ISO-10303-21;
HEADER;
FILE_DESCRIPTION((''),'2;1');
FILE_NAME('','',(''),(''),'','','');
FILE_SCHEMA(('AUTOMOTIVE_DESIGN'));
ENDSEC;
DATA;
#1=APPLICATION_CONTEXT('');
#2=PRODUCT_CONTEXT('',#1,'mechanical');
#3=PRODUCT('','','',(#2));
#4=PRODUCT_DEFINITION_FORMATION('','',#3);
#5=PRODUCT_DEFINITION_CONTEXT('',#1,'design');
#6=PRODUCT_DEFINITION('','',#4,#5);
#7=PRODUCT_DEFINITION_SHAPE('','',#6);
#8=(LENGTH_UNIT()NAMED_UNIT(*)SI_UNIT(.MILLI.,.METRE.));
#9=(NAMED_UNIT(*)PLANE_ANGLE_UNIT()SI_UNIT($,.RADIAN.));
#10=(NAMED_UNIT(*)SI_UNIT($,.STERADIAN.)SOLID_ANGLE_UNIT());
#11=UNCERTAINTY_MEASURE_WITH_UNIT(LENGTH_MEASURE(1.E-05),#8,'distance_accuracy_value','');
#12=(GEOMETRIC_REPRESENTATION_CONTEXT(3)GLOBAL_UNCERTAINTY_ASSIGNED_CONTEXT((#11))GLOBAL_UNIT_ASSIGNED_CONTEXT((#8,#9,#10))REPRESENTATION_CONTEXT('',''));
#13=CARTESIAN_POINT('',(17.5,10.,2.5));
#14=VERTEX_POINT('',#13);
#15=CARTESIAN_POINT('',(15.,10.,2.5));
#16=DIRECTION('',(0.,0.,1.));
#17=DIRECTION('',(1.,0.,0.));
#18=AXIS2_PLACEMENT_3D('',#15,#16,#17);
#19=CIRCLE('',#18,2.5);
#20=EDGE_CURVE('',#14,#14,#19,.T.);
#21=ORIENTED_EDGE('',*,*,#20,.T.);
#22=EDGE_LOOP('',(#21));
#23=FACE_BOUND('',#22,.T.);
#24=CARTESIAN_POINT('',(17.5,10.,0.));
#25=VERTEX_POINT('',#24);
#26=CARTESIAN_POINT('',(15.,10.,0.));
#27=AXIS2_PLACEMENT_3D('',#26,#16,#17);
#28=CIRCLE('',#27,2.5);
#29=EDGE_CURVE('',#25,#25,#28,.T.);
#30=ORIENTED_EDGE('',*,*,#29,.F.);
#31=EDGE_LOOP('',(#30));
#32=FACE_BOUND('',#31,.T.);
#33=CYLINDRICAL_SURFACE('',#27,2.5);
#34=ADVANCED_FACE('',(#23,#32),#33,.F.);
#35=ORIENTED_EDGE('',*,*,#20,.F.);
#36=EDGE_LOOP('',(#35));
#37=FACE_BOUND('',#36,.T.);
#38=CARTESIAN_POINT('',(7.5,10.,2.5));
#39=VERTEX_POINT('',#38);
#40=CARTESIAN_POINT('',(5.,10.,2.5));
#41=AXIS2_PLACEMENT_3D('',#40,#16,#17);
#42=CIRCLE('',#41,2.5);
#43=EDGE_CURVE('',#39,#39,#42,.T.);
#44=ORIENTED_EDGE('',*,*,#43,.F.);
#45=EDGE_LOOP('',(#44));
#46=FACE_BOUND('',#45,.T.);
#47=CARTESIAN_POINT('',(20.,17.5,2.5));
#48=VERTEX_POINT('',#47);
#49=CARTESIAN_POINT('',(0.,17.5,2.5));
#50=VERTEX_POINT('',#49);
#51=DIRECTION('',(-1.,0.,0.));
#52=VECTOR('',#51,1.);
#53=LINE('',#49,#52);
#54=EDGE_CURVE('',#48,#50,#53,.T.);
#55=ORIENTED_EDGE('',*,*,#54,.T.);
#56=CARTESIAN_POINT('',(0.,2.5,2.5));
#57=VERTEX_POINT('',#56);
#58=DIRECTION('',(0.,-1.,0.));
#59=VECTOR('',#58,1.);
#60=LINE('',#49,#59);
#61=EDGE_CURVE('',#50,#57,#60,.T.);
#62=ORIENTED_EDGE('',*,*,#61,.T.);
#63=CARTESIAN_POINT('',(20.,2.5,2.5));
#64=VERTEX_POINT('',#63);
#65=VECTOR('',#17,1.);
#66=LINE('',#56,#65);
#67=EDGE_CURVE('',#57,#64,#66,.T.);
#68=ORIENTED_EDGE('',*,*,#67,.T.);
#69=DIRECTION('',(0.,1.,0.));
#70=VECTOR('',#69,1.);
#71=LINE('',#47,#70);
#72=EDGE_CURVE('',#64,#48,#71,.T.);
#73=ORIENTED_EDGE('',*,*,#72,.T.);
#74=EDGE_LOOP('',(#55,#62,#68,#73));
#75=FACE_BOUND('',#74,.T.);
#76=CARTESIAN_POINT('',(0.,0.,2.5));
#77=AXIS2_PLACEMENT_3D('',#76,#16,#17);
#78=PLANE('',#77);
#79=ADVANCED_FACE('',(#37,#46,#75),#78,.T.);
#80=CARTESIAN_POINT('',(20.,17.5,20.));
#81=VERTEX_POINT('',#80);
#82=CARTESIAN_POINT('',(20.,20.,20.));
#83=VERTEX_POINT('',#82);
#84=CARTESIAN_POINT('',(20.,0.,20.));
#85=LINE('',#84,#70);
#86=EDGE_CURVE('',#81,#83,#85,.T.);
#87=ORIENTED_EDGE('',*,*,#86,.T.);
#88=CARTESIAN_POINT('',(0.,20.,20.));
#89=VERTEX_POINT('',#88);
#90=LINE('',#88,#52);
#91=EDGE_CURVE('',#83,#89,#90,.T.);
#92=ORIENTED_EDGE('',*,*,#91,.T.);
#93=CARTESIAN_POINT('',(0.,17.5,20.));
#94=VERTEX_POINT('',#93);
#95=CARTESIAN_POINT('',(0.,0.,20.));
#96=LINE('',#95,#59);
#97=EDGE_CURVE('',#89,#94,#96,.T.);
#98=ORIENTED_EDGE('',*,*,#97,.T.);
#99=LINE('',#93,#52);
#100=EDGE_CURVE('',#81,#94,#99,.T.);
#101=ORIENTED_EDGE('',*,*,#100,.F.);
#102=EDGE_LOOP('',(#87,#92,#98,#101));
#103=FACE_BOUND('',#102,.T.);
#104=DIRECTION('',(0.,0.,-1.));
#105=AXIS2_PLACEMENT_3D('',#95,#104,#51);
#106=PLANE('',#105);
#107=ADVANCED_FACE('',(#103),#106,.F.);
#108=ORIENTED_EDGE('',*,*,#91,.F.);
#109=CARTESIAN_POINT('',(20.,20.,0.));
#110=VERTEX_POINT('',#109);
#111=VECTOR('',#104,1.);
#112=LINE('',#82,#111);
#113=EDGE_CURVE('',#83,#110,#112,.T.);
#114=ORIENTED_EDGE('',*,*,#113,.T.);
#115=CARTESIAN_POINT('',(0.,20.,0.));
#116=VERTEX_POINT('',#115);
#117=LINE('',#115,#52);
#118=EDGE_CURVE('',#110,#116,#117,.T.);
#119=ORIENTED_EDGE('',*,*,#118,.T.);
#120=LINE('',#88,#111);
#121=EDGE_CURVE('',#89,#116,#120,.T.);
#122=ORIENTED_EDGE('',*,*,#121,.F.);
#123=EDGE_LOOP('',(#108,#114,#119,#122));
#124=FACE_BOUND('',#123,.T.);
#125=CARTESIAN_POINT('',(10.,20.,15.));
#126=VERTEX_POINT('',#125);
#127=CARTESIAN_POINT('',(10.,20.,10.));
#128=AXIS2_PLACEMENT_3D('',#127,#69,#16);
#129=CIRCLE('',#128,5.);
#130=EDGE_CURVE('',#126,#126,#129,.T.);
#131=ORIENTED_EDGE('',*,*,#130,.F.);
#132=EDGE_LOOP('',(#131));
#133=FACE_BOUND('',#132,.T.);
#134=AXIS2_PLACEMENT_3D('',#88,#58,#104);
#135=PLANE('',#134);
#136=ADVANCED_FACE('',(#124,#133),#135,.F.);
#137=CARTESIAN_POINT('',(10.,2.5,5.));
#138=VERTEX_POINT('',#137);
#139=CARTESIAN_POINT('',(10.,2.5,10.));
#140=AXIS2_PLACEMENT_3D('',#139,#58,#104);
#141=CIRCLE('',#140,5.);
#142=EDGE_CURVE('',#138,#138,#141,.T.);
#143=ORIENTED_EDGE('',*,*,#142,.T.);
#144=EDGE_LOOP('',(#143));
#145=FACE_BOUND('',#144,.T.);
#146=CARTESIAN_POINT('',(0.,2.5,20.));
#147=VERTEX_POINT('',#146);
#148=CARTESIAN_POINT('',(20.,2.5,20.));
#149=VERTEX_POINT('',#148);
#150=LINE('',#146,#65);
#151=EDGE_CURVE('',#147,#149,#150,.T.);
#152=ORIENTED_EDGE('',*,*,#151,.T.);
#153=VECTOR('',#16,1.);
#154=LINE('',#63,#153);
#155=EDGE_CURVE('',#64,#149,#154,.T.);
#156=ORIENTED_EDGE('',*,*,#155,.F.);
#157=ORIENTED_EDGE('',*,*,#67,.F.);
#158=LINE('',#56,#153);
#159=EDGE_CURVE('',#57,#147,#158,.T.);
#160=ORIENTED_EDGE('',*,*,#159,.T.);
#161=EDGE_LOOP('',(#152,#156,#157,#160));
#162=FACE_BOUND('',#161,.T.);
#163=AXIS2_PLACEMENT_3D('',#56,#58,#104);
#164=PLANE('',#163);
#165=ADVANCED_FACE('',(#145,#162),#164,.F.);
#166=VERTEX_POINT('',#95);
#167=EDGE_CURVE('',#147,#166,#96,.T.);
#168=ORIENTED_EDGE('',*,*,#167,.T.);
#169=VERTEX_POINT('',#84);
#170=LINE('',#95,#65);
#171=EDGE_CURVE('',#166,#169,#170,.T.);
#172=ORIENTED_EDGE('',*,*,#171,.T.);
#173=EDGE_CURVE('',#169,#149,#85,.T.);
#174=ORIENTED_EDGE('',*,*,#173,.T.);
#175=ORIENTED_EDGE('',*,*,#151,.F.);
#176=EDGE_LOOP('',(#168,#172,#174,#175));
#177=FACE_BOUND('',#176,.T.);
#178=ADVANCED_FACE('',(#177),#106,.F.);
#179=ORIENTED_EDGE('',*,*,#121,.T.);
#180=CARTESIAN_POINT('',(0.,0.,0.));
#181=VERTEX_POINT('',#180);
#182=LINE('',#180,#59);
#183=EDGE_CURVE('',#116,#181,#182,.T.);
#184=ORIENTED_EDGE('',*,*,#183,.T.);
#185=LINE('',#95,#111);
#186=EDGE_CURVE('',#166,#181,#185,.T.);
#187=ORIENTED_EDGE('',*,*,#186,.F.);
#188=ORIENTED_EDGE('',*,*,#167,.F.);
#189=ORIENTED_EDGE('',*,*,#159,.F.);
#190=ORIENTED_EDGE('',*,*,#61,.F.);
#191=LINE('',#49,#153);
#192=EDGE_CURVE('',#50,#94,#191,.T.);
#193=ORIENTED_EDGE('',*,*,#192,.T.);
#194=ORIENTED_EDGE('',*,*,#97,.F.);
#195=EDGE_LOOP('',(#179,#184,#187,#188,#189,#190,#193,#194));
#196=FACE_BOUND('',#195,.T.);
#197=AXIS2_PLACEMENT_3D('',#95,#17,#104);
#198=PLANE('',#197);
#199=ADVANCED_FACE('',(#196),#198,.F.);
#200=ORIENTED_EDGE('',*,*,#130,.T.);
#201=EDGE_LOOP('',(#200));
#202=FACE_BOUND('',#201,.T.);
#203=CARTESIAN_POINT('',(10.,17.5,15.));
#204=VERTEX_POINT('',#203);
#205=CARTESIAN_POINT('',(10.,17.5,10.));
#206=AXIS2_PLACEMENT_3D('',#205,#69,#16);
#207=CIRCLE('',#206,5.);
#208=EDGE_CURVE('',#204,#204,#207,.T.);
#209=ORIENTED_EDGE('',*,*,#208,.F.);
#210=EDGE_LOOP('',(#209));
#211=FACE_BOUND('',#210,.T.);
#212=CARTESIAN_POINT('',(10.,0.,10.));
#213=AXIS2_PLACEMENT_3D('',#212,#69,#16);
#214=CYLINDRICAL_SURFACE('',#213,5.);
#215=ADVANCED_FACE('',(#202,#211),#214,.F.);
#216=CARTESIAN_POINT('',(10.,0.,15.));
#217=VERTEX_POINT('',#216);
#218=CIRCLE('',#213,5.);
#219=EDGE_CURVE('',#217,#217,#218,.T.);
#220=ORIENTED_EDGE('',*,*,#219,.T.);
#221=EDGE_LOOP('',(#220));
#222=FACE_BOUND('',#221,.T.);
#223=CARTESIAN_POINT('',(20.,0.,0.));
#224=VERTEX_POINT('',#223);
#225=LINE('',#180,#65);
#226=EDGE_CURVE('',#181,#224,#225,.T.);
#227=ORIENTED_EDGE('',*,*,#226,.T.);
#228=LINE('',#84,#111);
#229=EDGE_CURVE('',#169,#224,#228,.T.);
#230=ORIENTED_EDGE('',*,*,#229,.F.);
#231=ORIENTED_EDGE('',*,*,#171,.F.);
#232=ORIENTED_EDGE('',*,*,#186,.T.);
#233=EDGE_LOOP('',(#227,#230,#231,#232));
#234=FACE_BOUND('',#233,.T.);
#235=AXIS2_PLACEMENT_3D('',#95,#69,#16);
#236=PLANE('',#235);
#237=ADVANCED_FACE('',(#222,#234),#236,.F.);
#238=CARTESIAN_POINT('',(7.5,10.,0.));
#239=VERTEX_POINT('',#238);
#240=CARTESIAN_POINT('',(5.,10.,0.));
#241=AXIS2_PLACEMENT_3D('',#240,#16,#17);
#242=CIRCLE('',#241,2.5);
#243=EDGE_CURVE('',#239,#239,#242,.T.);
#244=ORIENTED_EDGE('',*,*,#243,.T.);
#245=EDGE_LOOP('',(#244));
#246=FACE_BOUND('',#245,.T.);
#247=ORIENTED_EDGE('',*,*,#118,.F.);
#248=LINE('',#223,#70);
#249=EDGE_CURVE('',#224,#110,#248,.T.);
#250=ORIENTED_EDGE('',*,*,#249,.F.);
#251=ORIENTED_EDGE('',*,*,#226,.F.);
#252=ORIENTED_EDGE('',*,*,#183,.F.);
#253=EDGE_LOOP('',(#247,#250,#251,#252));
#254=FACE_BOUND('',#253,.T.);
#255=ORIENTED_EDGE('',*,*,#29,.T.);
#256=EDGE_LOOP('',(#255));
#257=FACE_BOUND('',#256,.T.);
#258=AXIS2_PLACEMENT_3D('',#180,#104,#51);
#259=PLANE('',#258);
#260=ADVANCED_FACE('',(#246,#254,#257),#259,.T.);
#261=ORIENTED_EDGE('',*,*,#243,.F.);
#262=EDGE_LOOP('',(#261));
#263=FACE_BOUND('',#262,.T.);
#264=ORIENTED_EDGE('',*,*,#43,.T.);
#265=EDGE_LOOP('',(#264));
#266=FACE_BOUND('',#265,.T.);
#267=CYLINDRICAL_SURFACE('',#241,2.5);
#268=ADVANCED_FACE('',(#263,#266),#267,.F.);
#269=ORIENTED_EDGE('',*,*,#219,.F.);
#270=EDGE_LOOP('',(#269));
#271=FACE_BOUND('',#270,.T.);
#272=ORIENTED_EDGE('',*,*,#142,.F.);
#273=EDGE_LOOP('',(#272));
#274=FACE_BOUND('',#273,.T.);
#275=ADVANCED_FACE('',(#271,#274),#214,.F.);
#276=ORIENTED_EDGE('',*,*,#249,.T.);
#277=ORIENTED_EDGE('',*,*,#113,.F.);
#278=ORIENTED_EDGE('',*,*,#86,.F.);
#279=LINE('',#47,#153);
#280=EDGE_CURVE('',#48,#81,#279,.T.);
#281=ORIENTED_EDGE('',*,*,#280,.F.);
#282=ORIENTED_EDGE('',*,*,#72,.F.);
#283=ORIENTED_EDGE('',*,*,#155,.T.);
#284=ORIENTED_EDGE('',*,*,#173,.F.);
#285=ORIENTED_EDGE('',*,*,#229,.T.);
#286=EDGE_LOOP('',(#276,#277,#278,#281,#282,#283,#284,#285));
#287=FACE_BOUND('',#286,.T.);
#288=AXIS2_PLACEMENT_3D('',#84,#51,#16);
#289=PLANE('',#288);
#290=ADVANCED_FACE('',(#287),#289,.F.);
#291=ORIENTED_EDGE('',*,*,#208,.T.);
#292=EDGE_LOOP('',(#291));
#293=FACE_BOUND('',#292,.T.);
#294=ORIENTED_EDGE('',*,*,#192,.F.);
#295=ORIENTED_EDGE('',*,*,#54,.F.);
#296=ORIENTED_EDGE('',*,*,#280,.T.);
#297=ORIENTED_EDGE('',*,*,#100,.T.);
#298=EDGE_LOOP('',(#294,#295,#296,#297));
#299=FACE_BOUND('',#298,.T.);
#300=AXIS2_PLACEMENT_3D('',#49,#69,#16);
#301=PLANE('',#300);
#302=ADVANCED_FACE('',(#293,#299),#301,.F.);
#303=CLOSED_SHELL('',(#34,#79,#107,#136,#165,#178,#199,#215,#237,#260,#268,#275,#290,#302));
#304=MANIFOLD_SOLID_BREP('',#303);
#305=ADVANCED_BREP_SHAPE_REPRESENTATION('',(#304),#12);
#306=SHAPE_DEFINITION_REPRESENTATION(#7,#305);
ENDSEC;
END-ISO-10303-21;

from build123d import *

# Parameters (mm, degrees)
SKETCH1_W           = 20
SKETCH1_H           = 20
BOSS_EXTRUDE1_DEPTH = 20
SKETCH2_W           = 20
SKETCH2_H           = 15
CUT_EXTRUDE1_DEPTH  = 17.5
SKETCH3_R           = 5
CUT_EXTRUDE2_DEPTH  = 21
SKETCH4_R           = 2.5
CUT_EXTRUDE3_DEPTH  = 3.5


with BuildPart() as part:
    # Sketch1 → Boss-Extrude1 (new body)
    with BuildSketch(Plane.XY):
        with Locations((10, 10)):
            Rectangle(SKETCH1_W, SKETCH1_H)
    extrude(amount=BOSS_EXTRUDE1_DEPTH)

    # Sketch2 → Cut-Extrude1 (cut)
    with BuildSketch(Plane.XY.offset(20)):
        with Locations((10, 10)):
            Rectangle(SKETCH2_W, SKETCH2_H)
    extrude(amount=-CUT_EXTRUDE1_DEPTH, mode=Mode.SUBTRACT)

    # Sketch3 → Cut-Extrude2 (cut, through all)
    with BuildSketch(Plane(origin=(0, 20, 0), x_dir=(1, 0, 0), z_dir=(0, 1, 0))):
        with Locations((10, -10)):
            Circle(SKETCH3_R)
    extrude(amount=-CUT_EXTRUDE2_DEPTH, mode=Mode.SUBTRACT)

    # Sketch4 → Cut-Extrude3 (cut, through all)
    with BuildSketch(Plane.XY.offset(2.5)):
        with Locations((15, 10)):
            Circle(SKETCH4_R)
        with Locations((5, 10)):
            Circle(SKETCH4_R)
    extrude(amount=-CUT_EXTRUDE3_DEPTH, mode=Mode.SUBTRACT)


solid = part.part
